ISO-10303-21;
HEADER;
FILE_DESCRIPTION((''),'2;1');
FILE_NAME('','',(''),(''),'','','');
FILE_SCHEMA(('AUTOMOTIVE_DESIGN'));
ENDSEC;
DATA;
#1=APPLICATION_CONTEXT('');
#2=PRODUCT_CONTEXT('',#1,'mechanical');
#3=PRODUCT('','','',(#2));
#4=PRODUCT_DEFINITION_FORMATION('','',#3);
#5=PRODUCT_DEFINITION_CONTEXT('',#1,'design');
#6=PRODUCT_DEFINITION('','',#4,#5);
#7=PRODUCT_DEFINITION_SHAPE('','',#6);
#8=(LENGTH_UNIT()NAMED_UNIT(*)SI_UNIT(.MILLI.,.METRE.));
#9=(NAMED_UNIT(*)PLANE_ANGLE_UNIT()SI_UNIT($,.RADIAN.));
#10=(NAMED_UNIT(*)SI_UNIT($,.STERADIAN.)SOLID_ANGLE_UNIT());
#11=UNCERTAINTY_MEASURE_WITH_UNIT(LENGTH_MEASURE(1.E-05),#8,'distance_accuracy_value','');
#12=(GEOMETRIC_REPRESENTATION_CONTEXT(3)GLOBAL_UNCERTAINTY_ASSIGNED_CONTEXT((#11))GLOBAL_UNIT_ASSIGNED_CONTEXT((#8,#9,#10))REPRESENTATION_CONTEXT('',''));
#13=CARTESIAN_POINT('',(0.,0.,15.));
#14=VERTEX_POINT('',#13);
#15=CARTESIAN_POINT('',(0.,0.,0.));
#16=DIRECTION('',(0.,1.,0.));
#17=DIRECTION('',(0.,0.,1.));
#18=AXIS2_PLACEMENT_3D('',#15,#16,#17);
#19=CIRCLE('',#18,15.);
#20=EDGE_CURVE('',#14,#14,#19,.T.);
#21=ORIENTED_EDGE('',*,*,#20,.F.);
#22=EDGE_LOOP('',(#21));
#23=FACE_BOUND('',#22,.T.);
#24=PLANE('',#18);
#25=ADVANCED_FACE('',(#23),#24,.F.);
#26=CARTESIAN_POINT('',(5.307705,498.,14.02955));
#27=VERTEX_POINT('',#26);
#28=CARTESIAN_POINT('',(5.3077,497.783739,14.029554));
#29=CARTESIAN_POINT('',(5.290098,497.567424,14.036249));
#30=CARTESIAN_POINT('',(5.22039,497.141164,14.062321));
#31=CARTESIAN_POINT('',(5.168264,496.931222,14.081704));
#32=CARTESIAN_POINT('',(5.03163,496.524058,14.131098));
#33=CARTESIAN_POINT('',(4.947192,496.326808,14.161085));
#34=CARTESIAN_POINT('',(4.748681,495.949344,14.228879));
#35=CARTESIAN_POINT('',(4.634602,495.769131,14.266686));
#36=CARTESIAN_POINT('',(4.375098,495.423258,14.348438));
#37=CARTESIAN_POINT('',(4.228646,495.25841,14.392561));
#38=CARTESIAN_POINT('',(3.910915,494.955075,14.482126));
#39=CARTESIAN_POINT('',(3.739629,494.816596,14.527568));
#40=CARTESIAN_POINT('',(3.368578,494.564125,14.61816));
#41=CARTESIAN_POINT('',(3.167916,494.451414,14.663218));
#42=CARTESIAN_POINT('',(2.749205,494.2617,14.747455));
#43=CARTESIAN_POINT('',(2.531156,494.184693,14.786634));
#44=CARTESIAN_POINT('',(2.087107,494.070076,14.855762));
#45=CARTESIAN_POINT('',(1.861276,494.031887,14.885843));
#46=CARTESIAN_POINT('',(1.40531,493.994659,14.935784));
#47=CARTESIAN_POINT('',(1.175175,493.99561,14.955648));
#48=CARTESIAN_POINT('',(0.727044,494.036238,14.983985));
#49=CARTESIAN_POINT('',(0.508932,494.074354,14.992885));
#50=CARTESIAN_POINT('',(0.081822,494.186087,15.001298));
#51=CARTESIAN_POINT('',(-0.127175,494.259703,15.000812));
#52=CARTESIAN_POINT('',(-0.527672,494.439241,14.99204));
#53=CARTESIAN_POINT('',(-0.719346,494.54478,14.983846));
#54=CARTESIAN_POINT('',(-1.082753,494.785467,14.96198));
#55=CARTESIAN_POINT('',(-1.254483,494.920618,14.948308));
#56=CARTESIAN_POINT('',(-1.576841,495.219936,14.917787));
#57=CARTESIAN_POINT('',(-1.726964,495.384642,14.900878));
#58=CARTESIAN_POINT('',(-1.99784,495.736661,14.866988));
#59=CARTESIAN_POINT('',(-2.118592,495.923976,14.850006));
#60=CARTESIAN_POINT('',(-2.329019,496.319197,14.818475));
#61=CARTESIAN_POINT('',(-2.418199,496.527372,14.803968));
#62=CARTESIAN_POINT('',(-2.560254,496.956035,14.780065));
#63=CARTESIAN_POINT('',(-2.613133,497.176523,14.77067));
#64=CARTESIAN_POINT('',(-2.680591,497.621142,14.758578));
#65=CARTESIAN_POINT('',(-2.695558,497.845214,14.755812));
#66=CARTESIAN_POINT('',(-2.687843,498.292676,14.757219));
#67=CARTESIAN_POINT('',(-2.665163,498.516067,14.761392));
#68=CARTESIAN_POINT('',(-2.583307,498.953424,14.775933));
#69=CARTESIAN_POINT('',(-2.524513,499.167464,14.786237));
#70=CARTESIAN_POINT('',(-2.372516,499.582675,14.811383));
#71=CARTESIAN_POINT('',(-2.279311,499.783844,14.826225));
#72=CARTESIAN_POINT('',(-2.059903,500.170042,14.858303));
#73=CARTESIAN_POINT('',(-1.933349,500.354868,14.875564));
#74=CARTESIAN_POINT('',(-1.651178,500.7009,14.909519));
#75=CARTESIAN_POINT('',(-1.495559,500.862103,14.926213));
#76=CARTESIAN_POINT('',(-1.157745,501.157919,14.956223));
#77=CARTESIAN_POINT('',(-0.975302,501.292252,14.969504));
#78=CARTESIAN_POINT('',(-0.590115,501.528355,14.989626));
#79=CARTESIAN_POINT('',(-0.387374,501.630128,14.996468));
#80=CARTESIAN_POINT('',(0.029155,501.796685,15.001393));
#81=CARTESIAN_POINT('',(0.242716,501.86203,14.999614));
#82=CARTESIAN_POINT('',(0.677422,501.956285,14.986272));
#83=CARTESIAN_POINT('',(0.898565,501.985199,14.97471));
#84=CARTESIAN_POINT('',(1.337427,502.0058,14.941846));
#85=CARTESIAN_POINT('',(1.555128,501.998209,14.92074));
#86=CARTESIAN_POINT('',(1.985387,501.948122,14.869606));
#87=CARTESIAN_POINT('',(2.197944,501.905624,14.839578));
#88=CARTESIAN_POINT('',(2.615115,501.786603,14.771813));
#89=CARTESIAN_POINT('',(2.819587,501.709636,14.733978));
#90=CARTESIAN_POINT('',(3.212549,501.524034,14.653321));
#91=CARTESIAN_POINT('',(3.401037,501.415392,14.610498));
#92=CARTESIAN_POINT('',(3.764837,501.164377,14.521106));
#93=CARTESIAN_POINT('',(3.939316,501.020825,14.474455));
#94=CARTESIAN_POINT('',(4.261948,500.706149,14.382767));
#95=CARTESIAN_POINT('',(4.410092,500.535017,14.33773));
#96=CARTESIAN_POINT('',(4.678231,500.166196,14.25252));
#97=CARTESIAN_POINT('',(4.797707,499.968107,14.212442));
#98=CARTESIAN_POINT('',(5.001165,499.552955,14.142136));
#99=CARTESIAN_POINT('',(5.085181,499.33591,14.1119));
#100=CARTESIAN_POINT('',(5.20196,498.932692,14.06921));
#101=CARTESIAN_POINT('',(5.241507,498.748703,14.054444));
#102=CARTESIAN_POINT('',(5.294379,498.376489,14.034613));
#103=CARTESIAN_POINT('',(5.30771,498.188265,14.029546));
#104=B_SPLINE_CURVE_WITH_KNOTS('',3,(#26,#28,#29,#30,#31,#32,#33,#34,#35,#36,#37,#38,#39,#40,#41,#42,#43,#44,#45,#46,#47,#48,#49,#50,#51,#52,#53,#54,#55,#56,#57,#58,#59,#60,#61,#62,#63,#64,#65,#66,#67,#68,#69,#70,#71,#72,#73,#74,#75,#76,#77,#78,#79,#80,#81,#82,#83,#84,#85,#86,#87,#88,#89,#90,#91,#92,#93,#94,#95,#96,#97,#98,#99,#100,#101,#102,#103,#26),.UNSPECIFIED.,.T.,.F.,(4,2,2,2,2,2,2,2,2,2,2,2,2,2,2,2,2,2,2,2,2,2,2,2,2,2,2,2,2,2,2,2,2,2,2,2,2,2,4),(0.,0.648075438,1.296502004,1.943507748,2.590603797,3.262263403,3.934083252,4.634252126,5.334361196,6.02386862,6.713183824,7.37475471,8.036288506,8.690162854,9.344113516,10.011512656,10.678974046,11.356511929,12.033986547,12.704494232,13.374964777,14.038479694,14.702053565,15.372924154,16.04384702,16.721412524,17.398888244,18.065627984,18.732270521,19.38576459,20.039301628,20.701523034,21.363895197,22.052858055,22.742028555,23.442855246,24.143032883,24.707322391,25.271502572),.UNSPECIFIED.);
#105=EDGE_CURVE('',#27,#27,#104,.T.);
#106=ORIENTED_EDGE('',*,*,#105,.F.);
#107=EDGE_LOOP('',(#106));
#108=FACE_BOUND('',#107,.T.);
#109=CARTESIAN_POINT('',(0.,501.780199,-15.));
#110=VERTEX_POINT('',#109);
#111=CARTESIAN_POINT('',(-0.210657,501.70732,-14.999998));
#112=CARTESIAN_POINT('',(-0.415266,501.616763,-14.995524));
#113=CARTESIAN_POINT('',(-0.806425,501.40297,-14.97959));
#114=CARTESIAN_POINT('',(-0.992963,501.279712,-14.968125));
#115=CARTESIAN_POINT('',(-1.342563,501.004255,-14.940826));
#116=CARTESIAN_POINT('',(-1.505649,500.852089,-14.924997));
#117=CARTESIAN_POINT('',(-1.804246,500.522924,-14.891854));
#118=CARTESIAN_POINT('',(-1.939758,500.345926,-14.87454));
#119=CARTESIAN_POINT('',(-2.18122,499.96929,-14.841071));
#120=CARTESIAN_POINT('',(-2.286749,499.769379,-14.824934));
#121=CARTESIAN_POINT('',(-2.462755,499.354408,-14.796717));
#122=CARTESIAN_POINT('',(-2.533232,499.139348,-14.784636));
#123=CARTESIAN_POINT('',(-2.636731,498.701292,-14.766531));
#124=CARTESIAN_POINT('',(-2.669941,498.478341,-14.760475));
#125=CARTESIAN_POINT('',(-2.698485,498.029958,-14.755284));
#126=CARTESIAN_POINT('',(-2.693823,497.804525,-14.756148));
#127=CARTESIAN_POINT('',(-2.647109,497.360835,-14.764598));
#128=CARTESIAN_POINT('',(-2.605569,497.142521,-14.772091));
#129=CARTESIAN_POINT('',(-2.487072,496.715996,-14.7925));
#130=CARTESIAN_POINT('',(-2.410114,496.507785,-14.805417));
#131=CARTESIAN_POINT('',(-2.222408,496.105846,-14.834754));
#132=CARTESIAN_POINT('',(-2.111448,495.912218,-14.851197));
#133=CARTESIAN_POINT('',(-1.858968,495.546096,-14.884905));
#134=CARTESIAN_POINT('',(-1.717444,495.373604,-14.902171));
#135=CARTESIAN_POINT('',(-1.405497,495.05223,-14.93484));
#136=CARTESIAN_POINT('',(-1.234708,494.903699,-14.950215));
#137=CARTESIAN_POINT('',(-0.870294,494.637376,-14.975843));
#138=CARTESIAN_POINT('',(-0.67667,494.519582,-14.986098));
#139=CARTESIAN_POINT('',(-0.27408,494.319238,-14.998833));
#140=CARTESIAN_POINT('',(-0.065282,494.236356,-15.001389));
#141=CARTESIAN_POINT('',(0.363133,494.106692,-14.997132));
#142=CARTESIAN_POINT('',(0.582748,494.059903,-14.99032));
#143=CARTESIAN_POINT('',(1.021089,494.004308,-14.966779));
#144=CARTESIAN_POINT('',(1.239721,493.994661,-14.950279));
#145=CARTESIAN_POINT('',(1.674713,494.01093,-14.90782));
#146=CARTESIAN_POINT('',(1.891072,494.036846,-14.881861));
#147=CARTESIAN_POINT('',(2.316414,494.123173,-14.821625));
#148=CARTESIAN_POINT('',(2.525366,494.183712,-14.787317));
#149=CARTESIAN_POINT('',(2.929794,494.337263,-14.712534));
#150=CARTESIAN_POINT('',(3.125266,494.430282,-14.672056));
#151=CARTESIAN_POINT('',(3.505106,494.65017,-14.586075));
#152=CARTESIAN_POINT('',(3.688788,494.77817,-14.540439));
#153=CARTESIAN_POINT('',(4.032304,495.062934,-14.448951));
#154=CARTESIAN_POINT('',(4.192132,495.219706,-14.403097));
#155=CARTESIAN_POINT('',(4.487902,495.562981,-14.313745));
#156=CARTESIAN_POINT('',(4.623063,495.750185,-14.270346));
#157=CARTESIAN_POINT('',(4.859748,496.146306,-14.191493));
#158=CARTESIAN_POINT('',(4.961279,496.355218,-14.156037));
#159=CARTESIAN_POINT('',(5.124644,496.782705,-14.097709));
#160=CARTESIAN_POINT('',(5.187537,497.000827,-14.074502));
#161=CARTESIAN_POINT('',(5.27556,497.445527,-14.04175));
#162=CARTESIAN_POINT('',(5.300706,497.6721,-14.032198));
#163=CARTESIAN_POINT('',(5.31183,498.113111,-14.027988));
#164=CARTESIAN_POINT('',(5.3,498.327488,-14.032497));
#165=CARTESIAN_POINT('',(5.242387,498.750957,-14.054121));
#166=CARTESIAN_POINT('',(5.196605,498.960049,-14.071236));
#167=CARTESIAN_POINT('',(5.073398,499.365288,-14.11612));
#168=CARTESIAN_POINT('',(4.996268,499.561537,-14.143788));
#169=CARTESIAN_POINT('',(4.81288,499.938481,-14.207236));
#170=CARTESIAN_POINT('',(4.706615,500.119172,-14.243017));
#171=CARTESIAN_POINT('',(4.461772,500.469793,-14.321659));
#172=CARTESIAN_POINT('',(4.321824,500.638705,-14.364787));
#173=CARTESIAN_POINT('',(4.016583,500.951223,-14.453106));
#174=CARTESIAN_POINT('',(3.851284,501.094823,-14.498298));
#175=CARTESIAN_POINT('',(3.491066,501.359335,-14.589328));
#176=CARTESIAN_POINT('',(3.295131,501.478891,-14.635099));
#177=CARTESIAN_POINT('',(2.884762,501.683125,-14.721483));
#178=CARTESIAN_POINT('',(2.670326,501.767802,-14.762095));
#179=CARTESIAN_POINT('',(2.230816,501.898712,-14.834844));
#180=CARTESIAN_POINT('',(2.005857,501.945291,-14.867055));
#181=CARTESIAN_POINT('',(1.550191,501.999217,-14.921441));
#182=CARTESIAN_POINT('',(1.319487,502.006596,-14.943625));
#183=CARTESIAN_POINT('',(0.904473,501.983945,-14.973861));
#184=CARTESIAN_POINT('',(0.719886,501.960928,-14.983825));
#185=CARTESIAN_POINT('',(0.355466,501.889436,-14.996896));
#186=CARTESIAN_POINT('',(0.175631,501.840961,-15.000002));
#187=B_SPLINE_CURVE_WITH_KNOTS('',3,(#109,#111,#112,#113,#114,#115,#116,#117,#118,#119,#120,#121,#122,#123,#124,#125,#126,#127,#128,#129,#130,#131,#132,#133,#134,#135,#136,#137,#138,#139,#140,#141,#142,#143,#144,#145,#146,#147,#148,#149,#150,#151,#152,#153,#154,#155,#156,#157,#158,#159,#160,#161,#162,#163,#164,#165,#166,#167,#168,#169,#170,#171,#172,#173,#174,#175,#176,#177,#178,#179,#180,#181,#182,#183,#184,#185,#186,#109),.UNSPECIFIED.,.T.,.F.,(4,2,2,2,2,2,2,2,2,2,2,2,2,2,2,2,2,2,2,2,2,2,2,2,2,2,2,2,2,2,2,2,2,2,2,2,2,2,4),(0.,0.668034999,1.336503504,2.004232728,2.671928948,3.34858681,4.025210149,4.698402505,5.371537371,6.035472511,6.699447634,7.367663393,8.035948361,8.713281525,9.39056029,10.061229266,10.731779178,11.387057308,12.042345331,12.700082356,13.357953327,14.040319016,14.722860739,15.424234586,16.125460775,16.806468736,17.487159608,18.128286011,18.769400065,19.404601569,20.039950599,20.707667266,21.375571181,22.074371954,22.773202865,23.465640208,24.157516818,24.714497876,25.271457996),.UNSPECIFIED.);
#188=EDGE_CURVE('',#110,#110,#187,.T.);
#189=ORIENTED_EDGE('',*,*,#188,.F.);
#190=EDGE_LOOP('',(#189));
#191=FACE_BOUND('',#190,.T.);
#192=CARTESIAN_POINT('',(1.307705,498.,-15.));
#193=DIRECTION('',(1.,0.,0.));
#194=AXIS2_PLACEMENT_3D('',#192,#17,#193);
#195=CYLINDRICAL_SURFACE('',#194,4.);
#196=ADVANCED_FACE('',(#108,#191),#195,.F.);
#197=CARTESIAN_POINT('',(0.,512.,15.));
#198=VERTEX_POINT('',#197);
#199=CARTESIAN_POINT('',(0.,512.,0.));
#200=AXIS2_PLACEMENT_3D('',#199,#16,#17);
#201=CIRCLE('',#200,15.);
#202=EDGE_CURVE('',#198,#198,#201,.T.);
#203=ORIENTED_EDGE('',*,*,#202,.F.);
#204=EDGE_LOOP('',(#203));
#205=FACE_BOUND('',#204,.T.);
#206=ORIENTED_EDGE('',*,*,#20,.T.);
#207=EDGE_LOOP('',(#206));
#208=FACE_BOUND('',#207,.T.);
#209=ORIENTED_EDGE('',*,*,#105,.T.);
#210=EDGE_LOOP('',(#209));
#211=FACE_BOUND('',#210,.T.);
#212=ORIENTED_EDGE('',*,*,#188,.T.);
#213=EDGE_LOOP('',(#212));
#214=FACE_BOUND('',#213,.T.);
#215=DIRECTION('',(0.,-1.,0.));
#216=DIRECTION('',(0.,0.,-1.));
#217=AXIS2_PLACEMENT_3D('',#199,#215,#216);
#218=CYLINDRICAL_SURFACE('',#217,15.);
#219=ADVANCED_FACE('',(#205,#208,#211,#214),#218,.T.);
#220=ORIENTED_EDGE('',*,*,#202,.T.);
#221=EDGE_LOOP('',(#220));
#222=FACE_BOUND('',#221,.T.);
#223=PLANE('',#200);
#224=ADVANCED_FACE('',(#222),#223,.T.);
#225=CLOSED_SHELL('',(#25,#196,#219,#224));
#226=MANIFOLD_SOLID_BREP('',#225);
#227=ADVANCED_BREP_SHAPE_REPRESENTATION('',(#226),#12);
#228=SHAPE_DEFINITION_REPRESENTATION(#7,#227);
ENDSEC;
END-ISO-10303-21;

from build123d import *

# Parameters (mm, degrees)
SKETCH_1_R         = 15
EXTRUDE_1_DEPTH    = 512
SKETCH1_R          = 4
CUT_EXTRUDE1_DEPTH = 516.437460441


with BuildPart() as part:
    # Эскиз1 → Вытянуть1 (new body)
    with BuildSketch(Plane(origin=(0, 0, 0), x_dir=(1, 0, 0), z_dir=(0, 1, 0))):
        with Locations(Location((0, 0, 0), (0, 0, 270))):
            Circle(SKETCH_1_R)
    extrude(amount=EXTRUDE_1_DEPTH)

    # Sketch1 → Cut-Extrude1 (cut, through all)
    with BuildSketch(Plane.XY.offset(42.504570482)):
        with Locations((1.307704956, 498)):
            Circle(SKETCH1_R)
    extrude(amount=-CUT_EXTRUDE1_DEPTH, mode=Mode.SUBTRACT)


solid = part.part
